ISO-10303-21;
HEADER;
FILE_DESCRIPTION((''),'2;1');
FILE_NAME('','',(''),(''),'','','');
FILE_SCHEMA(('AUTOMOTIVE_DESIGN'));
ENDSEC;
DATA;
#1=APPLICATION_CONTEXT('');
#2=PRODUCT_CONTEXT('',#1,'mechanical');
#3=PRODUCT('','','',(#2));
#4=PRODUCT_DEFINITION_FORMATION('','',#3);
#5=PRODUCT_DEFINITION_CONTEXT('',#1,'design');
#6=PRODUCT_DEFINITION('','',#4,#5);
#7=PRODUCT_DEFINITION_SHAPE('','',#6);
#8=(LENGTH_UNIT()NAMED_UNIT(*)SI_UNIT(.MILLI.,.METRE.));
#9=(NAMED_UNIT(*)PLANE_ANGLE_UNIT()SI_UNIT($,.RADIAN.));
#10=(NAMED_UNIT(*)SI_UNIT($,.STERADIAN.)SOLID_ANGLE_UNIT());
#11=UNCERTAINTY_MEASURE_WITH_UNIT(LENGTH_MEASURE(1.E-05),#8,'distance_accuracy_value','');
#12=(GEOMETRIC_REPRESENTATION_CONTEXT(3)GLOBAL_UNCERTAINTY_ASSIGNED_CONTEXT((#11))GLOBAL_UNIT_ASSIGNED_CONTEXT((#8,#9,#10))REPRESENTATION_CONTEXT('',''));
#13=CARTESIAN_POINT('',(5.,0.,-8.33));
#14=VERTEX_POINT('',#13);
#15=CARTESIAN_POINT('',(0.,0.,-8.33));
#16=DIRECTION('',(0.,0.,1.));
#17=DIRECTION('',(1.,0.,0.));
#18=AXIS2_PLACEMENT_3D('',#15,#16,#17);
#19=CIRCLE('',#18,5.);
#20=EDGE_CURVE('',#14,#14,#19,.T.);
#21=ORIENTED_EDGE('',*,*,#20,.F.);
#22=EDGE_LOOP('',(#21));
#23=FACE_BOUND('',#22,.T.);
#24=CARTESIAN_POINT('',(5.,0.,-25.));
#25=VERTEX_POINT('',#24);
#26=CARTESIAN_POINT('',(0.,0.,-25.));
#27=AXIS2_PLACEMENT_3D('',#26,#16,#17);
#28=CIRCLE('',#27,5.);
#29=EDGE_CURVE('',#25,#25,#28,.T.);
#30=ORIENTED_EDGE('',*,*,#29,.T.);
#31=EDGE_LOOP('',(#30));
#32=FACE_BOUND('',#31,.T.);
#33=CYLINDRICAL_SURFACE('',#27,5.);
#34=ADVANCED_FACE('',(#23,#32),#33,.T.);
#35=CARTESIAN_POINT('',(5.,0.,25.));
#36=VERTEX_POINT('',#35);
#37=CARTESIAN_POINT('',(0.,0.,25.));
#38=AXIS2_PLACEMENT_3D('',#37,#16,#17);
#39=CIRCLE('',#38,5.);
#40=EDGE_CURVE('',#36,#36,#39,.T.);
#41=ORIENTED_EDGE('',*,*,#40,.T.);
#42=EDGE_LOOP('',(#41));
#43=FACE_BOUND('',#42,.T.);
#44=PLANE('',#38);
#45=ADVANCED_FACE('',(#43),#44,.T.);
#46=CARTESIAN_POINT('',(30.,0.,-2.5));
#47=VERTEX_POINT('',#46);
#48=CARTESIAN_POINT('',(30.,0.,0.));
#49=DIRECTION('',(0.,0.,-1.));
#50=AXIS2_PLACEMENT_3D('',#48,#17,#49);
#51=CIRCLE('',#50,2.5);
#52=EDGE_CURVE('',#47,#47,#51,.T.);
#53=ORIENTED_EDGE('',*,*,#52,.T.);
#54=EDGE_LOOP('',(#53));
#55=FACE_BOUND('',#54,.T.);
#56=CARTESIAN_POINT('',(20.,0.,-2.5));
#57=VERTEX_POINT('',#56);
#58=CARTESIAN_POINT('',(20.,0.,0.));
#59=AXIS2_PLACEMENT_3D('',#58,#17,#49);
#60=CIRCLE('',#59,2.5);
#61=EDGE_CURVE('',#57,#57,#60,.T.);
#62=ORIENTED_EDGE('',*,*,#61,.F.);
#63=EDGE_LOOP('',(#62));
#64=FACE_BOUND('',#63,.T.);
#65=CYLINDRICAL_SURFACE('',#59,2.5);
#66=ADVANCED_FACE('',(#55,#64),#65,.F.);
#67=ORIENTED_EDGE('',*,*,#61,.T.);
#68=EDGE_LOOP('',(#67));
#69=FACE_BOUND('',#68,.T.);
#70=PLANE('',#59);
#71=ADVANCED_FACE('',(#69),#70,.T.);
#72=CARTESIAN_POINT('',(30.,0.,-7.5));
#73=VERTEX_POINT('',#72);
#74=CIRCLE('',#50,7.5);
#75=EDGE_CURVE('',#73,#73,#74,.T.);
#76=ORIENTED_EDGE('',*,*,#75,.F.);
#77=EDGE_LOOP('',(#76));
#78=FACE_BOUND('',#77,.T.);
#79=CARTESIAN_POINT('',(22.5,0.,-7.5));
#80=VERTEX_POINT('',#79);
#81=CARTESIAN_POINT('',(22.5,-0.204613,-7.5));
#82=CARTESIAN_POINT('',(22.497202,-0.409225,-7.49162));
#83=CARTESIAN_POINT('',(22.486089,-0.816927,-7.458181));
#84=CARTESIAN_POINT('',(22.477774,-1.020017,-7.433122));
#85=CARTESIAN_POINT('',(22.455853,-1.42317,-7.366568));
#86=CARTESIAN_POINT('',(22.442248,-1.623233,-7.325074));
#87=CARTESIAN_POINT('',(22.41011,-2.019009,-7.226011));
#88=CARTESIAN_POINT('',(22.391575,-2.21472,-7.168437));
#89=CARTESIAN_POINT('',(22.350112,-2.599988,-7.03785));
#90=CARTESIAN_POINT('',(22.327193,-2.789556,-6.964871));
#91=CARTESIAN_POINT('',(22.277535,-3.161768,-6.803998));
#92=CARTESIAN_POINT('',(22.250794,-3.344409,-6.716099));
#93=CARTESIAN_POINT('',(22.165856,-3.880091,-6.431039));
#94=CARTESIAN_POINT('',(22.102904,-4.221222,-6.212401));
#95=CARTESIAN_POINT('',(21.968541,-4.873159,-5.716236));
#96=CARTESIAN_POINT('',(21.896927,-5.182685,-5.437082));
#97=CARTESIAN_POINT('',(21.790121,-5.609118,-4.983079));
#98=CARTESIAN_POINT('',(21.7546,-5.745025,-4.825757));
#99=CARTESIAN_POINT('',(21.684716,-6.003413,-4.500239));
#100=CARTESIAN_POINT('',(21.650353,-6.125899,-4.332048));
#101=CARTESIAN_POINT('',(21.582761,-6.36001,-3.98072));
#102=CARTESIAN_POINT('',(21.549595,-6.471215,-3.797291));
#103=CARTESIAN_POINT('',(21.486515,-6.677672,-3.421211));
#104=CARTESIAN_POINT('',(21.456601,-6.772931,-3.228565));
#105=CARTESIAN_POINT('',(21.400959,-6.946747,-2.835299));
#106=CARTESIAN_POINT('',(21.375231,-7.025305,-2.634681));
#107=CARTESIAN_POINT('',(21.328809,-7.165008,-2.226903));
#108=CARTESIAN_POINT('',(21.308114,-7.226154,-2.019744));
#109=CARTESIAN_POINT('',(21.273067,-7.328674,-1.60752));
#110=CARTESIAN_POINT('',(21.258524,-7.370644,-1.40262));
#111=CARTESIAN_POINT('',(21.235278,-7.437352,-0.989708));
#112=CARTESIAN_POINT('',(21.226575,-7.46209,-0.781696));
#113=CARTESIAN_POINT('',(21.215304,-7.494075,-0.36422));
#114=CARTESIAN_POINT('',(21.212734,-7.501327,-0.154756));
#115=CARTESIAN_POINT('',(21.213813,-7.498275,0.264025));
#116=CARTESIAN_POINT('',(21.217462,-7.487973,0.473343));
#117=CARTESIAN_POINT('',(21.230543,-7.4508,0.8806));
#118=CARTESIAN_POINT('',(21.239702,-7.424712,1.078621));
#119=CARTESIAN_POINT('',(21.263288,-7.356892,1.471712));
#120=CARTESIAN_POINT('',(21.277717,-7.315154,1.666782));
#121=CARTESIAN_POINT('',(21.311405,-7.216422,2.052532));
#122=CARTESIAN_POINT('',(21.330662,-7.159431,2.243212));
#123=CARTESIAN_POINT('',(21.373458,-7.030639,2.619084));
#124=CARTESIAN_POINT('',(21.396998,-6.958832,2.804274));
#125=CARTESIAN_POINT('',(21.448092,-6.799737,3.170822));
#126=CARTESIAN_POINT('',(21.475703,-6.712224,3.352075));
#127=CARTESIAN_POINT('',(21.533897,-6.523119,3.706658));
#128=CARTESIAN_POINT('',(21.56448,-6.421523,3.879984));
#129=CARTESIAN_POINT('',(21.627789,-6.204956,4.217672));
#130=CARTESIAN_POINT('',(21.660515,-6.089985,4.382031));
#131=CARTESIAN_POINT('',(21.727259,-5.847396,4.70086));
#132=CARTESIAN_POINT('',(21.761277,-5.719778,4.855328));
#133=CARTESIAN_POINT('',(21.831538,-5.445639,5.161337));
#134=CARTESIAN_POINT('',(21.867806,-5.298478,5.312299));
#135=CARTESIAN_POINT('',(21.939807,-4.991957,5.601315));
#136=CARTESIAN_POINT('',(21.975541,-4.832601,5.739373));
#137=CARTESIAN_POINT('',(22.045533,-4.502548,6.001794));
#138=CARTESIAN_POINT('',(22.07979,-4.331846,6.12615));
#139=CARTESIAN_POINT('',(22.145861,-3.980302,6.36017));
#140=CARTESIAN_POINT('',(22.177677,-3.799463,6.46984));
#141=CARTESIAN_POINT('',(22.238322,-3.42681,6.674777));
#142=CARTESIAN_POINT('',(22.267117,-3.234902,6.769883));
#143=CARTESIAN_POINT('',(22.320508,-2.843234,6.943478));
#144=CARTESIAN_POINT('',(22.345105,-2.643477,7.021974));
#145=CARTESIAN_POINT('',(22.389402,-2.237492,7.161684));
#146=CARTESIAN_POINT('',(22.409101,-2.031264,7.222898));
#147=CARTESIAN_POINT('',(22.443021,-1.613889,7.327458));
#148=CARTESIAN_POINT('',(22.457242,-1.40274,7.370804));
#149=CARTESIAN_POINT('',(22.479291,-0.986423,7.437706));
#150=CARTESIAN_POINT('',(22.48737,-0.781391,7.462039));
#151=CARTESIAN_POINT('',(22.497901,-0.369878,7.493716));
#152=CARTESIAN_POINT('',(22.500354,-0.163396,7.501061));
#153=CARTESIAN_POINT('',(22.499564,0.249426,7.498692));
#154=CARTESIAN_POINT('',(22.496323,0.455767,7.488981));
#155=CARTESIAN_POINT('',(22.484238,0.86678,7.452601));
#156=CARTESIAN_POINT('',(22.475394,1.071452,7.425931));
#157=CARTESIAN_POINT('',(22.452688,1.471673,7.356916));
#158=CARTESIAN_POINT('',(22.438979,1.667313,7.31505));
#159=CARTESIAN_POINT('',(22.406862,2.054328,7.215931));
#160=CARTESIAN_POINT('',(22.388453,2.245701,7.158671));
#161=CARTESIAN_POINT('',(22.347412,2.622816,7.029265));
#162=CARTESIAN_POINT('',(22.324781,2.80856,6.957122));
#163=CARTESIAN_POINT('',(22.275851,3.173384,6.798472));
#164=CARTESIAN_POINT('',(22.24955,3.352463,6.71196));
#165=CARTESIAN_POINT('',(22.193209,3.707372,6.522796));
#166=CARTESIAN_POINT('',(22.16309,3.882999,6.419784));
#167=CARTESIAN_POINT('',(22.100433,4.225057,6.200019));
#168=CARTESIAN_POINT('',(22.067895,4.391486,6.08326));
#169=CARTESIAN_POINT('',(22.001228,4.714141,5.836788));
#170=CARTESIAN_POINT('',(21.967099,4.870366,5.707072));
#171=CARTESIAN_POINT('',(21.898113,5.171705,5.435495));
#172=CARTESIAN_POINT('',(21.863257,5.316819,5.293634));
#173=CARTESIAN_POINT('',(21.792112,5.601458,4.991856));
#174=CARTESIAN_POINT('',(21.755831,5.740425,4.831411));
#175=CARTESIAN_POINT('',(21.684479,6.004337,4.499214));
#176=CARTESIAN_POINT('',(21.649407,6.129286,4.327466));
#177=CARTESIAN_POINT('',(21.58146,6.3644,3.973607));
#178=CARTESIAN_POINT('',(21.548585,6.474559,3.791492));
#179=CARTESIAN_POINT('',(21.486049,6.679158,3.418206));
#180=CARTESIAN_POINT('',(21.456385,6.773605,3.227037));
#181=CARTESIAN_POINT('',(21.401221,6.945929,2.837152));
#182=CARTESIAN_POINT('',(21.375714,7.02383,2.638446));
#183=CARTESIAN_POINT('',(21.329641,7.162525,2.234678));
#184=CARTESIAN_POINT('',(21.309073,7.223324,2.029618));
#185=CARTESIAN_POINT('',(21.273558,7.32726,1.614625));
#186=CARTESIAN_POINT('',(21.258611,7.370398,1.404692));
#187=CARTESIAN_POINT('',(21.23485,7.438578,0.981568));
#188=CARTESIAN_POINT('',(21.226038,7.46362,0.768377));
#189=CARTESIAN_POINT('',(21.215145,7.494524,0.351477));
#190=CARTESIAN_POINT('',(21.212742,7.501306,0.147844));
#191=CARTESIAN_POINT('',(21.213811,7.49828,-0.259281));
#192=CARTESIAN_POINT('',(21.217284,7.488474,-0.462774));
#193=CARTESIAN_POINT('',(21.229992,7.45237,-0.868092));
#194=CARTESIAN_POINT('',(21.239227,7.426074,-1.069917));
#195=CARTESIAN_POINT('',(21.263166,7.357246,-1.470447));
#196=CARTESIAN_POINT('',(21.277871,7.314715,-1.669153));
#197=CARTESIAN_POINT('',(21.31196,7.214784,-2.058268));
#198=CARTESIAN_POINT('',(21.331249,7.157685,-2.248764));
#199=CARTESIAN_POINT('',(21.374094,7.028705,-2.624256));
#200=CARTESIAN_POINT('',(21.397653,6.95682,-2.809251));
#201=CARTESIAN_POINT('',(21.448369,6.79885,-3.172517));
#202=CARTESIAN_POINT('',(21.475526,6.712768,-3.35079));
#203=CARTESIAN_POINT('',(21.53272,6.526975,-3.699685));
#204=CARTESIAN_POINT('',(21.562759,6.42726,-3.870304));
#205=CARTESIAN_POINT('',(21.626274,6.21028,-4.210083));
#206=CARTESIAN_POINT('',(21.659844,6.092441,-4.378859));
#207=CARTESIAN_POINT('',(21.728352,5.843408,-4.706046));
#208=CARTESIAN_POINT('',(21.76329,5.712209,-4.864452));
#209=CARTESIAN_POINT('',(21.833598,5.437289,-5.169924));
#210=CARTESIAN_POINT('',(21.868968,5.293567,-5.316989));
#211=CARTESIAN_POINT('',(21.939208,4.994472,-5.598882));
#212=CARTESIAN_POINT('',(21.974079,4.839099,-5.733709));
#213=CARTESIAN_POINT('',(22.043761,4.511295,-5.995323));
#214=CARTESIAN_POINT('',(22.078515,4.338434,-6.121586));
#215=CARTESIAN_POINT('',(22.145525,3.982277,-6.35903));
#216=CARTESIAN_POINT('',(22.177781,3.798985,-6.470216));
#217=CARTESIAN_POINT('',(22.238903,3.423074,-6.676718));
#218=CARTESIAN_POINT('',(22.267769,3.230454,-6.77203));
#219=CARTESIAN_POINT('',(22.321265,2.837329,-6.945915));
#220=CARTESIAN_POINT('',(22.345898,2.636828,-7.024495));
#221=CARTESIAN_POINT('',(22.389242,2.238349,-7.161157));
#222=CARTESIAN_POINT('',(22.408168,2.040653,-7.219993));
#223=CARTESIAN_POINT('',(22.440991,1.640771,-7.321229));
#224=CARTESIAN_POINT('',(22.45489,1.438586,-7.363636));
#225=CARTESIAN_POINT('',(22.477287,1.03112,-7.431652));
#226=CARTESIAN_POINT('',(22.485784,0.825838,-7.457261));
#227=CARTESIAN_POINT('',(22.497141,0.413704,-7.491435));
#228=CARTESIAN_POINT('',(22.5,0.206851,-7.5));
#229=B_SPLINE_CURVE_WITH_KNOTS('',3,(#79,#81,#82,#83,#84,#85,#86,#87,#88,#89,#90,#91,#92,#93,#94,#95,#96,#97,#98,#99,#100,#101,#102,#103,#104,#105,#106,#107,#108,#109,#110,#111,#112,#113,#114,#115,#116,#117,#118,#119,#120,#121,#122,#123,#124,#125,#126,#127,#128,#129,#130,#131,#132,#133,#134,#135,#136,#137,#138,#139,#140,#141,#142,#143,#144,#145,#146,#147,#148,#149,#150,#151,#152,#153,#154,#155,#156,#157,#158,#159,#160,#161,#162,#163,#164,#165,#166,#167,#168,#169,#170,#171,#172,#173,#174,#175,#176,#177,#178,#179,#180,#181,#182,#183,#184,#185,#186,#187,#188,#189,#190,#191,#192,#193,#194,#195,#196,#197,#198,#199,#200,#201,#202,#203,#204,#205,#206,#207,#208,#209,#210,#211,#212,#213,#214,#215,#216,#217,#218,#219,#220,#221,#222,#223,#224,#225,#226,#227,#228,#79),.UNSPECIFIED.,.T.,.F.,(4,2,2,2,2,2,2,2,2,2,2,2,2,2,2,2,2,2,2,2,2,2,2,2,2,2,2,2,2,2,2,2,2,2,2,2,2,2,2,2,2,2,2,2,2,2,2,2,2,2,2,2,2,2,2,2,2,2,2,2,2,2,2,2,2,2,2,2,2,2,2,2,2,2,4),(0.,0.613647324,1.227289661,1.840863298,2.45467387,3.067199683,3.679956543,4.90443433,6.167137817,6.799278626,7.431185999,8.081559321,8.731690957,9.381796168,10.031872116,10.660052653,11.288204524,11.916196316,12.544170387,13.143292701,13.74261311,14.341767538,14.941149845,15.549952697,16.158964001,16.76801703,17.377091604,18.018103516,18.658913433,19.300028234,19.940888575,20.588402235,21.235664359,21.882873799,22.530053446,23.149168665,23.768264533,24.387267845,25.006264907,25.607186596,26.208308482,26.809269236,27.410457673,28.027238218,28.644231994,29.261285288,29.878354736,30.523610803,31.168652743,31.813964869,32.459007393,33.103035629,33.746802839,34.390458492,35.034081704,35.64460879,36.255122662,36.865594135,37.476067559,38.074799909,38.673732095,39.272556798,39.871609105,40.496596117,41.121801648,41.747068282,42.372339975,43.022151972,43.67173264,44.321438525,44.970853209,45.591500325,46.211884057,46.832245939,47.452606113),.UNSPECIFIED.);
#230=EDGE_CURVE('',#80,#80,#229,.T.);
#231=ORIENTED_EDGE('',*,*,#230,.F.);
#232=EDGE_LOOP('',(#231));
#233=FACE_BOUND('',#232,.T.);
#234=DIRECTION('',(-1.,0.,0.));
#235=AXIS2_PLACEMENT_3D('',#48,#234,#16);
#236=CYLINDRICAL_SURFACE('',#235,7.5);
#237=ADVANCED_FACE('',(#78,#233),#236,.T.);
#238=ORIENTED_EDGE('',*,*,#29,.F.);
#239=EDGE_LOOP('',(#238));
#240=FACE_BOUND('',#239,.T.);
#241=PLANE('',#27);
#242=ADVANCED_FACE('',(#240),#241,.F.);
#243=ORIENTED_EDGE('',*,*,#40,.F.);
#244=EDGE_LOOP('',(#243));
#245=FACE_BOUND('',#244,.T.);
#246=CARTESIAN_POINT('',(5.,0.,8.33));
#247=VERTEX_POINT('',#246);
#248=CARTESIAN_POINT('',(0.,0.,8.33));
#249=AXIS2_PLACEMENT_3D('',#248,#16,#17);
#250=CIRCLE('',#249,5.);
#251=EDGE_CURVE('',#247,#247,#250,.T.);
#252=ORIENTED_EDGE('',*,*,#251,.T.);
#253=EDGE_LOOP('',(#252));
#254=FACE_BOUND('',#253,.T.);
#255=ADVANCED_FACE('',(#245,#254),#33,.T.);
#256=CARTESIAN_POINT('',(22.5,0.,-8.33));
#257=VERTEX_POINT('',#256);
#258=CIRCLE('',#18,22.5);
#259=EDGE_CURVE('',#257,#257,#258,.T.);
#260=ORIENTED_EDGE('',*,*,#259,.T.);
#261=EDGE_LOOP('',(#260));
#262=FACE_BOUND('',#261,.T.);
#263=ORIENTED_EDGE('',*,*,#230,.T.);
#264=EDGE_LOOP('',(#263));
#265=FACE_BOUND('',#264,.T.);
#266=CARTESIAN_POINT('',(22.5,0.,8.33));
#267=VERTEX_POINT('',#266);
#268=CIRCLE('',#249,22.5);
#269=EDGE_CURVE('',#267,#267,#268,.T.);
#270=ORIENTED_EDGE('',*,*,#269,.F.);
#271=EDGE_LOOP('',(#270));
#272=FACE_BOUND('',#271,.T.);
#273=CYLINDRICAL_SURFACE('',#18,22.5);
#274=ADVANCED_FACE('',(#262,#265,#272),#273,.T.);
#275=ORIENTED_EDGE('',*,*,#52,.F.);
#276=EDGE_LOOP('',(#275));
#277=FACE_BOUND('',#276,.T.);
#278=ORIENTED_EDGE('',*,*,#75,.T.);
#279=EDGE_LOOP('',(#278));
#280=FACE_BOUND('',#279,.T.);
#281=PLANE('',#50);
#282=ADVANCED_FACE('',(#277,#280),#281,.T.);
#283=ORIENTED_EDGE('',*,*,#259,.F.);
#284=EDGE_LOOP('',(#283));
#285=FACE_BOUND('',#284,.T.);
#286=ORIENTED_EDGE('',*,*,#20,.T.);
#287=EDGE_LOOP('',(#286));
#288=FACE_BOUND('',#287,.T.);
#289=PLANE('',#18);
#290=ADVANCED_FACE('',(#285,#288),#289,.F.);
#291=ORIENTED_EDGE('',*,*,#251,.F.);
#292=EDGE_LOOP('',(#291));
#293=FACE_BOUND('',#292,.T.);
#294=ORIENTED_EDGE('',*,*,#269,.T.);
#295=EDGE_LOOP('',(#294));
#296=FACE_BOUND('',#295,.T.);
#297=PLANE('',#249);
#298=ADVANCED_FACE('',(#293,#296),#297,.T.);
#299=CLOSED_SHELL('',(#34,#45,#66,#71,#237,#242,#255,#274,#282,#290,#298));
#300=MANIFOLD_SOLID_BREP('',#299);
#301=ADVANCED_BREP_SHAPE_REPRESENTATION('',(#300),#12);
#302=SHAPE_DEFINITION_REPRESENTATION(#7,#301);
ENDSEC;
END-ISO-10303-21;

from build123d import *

# Parameters (mm, degrees)
BOSS_EXTRUDE1_DEPTH      = 8.33
BOSS_EXTRUDE1_DEPTH_BACK = 8.33
SKETCH1_R                = 22.5
BOSS_EXTRUDE2_START      = 10
SKETCH2_R                = 7.5
BOSS_EXTRUDE2_DEPTH      = 20
SKETCH3_R                = 2.5
CUT_EXTRUDE2_DEPTH       = 10
BOSS_EXTRUDE3_DEPTH      = 25
BOSS_EXTRUDE3_DEPTH_BACK = 25
SKETCH7_R                = 5


with BuildPart() as part:
    # Sketch1 → Boss-Extrude1 (new, two sides: drawn at the far end of the back side and taken through both)
    with BuildSketch(Plane.XY.offset(-BOSS_EXTRUDE1_DEPTH_BACK)):
        Circle(SKETCH1_R)
    extrude(amount=BOSS_EXTRUDE1_DEPTH + BOSS_EXTRUDE1_DEPTH_BACK)

    # Sketch2 → Boss-Extrude2 (add)
    with BuildSketch(Plane(origin=(0, 0, 0), x_dir=(0, 0, -1), z_dir=(1, 0, 0)).offset(BOSS_EXTRUDE2_START)):
        Circle(SKETCH2_R)
    extrude(amount=BOSS_EXTRUDE2_DEPTH)

    # Sketch3 → Cut-Extrude2 (cut)
    with BuildSketch(Plane(origin=(30, 0, 0), x_dir=(0, 0, -1), z_dir=(1, 0, 0))):
        Circle(SKETCH3_R)
    extrude(amount=-CUT_EXTRUDE2_DEPTH, mode=Mode.SUBTRACT)

    # Sketch7 → Boss-Extrude3 (add, two sides: drawn at the far end of the back side and taken through both)
    with BuildSketch(Plane.XY.offset(-BOSS_EXTRUDE3_DEPTH_BACK)):
        Circle(SKETCH7_R)
    extrude(amount=BOSS_EXTRUDE3_DEPTH + BOSS_EXTRUDE3_DEPTH_BACK)


solid = part.part
